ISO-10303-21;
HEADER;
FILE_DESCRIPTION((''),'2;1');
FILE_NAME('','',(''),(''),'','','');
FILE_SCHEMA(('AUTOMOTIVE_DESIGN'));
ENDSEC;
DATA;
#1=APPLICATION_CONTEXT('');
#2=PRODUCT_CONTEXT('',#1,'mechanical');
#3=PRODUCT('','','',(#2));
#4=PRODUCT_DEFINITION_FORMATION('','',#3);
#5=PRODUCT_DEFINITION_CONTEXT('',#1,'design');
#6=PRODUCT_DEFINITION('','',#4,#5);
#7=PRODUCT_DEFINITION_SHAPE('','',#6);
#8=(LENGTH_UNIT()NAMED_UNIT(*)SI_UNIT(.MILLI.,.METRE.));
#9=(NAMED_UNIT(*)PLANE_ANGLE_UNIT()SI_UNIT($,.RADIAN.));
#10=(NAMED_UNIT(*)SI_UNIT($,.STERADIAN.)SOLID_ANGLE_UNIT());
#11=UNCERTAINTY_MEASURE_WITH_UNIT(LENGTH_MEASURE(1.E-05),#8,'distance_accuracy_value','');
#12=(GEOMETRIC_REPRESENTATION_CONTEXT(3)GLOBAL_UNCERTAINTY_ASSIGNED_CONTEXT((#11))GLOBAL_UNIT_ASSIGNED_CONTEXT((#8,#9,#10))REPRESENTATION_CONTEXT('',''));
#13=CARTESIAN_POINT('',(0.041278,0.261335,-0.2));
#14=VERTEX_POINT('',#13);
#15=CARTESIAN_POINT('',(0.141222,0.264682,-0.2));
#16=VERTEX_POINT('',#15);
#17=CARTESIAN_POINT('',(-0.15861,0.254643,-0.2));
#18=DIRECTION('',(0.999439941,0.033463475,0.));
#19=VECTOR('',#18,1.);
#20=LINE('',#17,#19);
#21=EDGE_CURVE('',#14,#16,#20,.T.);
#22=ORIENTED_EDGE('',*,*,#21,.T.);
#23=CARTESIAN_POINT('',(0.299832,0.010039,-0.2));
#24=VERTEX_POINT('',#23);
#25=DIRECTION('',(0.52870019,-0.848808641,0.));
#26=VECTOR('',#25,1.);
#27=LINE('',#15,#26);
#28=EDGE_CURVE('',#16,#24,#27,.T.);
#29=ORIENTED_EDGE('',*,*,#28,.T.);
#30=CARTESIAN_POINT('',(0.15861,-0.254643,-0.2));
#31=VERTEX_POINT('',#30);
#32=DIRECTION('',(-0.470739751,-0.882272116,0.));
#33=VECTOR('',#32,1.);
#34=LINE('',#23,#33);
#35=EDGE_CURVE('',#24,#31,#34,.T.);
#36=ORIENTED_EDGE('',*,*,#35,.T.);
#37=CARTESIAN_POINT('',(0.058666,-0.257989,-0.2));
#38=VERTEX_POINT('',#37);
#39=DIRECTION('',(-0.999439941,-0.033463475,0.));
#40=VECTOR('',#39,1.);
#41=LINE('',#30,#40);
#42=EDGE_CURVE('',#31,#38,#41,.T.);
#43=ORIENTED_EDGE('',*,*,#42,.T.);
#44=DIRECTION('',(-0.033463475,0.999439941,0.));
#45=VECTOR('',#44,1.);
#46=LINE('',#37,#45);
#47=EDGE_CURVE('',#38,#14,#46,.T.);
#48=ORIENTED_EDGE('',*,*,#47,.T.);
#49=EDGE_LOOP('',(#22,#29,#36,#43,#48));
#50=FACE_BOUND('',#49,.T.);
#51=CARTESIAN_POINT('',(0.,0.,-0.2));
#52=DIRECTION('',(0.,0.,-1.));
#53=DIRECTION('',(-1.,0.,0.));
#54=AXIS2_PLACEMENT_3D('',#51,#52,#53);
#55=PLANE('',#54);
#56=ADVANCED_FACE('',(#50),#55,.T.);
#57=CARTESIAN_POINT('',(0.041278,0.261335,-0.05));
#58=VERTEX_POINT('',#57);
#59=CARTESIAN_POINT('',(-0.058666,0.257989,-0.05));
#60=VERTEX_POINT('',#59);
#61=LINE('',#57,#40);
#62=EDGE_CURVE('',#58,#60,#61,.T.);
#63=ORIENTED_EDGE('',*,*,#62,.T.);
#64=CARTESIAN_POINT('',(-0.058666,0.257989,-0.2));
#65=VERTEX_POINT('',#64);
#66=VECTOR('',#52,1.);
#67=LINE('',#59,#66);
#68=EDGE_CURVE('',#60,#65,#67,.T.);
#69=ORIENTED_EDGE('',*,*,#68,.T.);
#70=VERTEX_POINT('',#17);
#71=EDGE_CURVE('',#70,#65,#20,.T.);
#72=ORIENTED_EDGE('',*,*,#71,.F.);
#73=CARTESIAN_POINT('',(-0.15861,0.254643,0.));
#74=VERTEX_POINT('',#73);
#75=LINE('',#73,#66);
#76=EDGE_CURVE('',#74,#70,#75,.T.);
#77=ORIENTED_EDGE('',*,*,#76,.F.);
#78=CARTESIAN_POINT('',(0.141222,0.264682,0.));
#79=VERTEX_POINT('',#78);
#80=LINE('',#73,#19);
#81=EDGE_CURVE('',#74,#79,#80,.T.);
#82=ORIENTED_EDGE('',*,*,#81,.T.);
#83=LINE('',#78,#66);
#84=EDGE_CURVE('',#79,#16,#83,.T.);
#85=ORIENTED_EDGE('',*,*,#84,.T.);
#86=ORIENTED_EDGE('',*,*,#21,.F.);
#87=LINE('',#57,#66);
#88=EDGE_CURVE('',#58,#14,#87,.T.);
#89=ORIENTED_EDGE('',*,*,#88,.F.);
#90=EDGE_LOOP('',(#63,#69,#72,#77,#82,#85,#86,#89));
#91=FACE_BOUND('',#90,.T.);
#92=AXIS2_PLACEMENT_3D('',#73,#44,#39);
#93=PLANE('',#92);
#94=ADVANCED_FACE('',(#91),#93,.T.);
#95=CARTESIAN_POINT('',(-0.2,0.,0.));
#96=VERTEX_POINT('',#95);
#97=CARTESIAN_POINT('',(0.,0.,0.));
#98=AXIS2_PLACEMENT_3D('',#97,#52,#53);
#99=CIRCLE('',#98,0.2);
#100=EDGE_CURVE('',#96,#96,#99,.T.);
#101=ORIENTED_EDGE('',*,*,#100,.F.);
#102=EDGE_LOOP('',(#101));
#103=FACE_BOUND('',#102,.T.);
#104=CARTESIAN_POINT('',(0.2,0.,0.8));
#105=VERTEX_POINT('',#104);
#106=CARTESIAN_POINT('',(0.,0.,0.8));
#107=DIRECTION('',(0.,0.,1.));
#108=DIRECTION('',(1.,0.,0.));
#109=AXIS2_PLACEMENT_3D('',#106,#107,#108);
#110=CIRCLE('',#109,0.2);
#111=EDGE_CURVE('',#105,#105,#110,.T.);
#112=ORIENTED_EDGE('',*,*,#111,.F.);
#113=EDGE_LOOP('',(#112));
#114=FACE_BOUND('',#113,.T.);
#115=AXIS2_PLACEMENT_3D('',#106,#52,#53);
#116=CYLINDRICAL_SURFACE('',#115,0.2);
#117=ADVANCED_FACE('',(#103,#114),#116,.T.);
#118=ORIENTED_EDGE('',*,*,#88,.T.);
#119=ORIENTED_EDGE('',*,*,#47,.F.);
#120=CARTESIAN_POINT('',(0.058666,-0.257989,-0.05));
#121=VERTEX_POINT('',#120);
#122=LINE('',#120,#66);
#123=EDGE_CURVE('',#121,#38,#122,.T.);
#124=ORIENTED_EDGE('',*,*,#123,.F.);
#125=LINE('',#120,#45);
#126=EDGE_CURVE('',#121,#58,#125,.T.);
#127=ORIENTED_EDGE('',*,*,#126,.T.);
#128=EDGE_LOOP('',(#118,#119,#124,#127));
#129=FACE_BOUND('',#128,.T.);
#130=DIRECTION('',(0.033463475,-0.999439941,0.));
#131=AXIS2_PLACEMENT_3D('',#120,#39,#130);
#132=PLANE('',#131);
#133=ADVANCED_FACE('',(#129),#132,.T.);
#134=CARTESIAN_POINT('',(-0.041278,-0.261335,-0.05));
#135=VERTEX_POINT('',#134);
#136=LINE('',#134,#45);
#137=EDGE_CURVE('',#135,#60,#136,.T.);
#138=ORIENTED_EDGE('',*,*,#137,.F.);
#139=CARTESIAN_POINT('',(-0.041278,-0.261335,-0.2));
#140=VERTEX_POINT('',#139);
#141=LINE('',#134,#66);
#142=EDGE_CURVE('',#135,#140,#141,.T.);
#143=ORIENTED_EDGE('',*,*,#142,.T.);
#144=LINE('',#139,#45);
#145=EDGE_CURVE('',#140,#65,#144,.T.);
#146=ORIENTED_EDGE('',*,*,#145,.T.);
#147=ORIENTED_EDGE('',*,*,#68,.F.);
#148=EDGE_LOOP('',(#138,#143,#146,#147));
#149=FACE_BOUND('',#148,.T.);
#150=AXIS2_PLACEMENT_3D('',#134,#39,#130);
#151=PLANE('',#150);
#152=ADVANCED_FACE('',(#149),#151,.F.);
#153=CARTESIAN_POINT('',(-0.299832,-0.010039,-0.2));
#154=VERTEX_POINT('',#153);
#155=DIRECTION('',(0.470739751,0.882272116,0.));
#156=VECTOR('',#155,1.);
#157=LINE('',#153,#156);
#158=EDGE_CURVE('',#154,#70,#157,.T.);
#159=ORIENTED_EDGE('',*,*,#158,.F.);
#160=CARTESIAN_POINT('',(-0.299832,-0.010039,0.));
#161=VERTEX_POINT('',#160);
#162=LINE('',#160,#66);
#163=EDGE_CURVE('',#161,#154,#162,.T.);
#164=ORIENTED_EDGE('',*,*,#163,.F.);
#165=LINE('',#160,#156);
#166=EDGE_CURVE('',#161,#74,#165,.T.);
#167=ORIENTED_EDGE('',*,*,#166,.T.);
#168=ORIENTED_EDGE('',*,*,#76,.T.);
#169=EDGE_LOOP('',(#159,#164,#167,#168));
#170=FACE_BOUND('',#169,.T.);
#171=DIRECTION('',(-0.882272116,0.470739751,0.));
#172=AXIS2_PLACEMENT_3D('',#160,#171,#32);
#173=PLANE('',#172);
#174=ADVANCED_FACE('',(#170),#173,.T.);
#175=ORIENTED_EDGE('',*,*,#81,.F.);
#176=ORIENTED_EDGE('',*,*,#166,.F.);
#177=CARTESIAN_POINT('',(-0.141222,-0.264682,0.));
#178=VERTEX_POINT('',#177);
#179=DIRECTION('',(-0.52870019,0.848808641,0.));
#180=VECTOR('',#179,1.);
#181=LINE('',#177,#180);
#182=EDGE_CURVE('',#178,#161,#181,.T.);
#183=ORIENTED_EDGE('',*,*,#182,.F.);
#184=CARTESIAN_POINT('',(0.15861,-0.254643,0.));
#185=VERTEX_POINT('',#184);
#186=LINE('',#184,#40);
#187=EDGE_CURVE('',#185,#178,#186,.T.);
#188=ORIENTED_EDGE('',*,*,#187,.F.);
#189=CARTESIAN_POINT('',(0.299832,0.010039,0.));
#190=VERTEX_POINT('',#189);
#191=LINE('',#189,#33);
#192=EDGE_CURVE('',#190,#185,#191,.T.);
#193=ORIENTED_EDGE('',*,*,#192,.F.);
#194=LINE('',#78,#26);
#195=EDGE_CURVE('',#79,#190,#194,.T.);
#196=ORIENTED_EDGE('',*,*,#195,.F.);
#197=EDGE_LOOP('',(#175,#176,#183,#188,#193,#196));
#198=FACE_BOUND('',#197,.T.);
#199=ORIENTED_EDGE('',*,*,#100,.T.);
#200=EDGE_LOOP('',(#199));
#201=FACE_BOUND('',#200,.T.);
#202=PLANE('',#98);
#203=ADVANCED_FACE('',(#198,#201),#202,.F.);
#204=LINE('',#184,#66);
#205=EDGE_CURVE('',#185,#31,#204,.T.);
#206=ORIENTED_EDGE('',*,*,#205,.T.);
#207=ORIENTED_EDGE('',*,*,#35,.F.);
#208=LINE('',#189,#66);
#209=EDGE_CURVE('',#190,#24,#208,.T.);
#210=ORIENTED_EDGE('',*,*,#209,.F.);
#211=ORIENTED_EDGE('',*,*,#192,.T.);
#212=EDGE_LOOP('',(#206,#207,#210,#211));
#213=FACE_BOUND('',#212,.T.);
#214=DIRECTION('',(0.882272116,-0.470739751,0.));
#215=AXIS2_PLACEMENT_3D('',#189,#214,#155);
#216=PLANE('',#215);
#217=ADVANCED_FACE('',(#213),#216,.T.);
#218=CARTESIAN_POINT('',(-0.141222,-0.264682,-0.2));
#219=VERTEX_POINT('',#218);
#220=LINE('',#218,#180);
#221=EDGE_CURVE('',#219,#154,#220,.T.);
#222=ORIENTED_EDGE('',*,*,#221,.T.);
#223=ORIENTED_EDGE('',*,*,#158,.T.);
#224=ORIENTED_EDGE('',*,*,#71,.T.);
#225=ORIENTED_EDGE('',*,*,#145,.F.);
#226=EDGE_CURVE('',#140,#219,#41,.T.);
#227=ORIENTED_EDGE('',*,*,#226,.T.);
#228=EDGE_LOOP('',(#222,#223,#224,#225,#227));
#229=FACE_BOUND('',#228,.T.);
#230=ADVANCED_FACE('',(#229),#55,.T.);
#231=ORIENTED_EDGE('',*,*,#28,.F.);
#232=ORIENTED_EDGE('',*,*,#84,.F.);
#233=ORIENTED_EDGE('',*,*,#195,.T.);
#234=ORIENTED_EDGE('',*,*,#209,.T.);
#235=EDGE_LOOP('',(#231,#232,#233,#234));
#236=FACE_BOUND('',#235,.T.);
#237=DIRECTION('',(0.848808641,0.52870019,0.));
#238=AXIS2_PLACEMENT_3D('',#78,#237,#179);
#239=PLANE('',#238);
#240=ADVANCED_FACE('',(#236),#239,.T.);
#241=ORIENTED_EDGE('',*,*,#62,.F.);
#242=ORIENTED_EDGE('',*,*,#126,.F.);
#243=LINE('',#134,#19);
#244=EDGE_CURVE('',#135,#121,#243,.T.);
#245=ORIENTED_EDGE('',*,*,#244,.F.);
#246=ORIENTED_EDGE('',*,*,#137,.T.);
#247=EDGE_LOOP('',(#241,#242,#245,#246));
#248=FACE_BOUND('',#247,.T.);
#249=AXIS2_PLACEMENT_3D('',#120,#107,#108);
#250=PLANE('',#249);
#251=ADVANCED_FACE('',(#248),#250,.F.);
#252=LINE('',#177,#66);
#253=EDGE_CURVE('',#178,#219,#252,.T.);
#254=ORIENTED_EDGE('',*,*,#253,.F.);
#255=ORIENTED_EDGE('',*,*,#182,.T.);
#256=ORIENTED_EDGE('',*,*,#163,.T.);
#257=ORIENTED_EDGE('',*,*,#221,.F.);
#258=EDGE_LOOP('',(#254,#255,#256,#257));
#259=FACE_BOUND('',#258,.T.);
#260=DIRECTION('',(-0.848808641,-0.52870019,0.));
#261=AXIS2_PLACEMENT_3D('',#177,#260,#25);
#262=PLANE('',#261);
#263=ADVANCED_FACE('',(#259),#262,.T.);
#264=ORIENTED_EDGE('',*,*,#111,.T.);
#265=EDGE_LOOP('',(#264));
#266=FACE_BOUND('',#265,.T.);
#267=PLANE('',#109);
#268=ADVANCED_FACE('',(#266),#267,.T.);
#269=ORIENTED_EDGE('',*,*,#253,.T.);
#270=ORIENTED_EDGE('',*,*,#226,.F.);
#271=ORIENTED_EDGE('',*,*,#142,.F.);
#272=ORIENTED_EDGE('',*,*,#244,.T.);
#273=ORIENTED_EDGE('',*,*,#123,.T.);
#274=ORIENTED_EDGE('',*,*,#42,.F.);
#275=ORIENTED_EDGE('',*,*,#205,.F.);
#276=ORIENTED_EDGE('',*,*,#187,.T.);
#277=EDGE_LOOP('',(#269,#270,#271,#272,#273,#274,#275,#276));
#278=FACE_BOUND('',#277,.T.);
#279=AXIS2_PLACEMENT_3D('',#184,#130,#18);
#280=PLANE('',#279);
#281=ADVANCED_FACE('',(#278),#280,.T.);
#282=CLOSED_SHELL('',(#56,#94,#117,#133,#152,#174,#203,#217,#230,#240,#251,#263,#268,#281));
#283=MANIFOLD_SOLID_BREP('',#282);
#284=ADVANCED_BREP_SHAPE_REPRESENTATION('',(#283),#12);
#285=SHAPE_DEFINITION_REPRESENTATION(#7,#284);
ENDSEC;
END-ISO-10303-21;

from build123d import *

# Parameters (mm, degrees)
SKETCH_1_R          = 0.2
EXTRUDE_1_DEPTH     = 0.8
SKETCH_2_R          = 0.3
EXTRUDE_2_DEPTH     = 0.2
SKETCH_3_R          = 0.340289424
CUT_EXTRUDE_1_DEPTH = 0.2
CUT_EXTRUDE_2_DEPTH = 0.15


with BuildPart() as part:
    # 草图1 → 凸台-拉伸1 (new body)
    with BuildSketch(Plane.XY):
        Circle(SKETCH_1_R)
    extrude(amount=EXTRUDE_1_DEPTH)

    # 草图2 → 凸台-拉伸2 (add)
    with BuildSketch(Plane(origin=(0, 0, 0), x_dir=(-1, 0, 0), z_dir=(0, 0, -1))):
        Circle(SKETCH_2_R)
    extrude(amount=EXTRUDE_2_DEPTH)

    # 草图3 → 切除-拉伸1 (cut)
    with BuildSketch(Plane(origin=(0, 0, -0.2), x_dir=(-1, 0, 0), z_dir=(0, 0, -1))):
        Circle(SKETCH_3_R)
        Polygon((0.141221925, -0.264681635), (0.299831982, -0.010039042), (0.158610057, 0.254642592), (-0.141221925, 0.264681635), (-0.299831982, 0.010039042), (-0.158610057, -0.254642592), align=None, mode=Mode.SUBTRACT)
    extrude(amount=-CUT_EXTRUDE_1_DEPTH, mode=Mode.SUBTRACT)

    # 草图4 → 切除-拉伸2 (cut)
    with BuildSketch(Plane(origin=(0, 0, -0.2), x_dir=(-1, 0, 0), z_dir=(0, 0, -1))):
        Polygon((0.041277931, -0.261335287), (0.058666063, 0.25798894), (-0.041277931, 0.261335287), (-0.058666063, -0.25798894), align=None)
    extrude(amount=-CUT_EXTRUDE_2_DEPTH, mode=Mode.SUBTRACT)


solid = part.part
